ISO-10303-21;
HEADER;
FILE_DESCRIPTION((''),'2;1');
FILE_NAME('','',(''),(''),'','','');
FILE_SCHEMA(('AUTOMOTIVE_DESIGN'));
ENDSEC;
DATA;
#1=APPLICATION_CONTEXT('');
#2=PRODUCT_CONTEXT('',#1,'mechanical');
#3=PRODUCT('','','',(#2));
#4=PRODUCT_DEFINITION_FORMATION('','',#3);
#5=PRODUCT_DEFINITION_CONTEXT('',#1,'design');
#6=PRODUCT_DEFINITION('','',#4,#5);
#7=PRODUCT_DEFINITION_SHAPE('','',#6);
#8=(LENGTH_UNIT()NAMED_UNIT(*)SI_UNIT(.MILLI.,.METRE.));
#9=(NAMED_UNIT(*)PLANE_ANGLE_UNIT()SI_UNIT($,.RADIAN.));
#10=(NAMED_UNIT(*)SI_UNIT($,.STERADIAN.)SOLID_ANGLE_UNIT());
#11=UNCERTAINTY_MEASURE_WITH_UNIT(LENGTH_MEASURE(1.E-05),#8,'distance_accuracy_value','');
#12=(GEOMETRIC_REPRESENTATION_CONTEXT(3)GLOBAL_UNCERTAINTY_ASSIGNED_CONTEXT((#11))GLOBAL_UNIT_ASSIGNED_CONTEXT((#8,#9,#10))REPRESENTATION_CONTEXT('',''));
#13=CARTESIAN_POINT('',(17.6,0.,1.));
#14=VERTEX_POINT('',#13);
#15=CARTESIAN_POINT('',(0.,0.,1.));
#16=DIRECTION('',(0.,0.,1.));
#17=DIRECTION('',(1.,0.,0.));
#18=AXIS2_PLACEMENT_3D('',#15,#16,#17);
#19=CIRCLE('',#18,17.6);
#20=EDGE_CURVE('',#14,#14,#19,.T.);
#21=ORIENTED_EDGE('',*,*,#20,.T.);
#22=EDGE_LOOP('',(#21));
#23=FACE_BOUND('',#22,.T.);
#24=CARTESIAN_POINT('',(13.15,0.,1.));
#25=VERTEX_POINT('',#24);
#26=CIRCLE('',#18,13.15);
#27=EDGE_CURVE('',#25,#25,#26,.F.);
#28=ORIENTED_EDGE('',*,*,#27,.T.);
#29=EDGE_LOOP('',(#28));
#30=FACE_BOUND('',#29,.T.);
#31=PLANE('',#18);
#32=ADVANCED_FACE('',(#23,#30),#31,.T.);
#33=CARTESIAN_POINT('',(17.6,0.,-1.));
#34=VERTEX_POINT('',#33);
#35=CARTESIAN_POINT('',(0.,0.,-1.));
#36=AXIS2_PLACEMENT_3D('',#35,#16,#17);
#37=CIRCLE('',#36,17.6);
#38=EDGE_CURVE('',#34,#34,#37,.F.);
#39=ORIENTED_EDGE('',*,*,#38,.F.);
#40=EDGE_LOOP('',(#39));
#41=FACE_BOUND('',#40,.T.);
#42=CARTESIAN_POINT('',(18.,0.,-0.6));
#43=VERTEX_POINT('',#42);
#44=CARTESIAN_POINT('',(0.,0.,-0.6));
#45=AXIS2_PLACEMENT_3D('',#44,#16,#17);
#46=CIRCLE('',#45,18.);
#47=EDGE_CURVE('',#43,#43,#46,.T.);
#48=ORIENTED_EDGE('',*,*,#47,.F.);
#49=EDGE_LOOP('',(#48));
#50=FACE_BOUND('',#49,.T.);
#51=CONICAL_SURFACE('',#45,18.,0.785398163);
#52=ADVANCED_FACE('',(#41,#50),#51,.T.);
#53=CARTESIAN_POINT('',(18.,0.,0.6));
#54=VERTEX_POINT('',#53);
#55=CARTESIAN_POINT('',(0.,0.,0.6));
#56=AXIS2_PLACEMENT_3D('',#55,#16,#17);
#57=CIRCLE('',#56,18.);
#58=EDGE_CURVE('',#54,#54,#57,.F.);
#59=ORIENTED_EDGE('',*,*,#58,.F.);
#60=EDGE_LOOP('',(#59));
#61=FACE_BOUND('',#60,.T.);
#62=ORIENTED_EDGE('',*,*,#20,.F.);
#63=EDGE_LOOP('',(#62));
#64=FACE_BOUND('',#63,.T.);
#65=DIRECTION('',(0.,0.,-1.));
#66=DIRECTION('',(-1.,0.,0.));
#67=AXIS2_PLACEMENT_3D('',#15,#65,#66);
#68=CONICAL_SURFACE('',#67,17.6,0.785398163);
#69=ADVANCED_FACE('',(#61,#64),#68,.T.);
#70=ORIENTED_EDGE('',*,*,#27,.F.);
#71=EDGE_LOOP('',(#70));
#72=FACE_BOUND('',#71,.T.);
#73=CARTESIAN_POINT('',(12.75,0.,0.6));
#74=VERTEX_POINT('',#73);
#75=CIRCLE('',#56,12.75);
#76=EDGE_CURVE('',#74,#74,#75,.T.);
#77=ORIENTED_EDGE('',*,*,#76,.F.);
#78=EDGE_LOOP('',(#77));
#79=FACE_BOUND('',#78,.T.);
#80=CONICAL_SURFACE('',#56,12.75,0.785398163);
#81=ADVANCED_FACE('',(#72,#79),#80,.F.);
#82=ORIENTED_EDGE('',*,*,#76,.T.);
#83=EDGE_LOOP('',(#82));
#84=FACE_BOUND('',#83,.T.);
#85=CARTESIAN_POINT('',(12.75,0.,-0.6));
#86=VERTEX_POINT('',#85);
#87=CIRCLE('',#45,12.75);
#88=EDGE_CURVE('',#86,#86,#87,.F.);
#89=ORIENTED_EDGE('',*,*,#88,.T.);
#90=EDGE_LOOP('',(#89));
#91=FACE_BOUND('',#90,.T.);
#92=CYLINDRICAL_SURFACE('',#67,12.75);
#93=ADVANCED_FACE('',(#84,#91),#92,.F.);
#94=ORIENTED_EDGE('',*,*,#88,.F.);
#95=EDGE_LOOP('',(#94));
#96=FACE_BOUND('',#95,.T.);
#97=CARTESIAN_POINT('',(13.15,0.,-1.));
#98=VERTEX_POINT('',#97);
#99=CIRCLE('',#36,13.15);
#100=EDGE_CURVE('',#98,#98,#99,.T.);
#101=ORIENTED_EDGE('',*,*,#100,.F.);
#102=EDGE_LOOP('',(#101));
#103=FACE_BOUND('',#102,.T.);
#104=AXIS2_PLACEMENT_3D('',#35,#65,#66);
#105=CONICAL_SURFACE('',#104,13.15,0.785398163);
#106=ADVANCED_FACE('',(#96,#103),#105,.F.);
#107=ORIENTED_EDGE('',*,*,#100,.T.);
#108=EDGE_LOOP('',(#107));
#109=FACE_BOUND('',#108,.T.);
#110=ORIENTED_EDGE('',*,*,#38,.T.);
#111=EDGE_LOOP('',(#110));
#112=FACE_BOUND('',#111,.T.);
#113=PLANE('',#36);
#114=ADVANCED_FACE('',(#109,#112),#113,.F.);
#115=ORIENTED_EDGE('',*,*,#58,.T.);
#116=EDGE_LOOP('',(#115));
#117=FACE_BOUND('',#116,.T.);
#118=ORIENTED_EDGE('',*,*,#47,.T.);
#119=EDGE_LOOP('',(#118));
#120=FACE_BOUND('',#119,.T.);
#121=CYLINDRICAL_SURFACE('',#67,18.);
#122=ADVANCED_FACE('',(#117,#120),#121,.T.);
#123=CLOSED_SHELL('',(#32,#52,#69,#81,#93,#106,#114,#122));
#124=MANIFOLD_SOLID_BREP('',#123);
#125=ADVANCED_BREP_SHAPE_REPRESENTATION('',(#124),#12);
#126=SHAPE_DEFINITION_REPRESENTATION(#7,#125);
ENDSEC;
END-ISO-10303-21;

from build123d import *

# Parameters (mm, degrees)
SKETCH1_R           = 18
SKETCH1_R_2         = 12.75
BOSS_EXTRUDE1_DEPTH = 1
CHAMFER1_SIZE       = 0.4


with BuildPart() as part:
    # Sketch1 → Boss-Extrude1 (new body, symmetric)
    with BuildSketch(Plane.XY):
        Circle(SKETCH1_R)
        Circle(SKETCH1_R_2, mode=Mode.SUBTRACT)
    extrude(amount=BOSS_EXTRUDE1_DEPTH, both=True)

    # Chamfer1
    chamfer1_edges = [part.edges().sort_by_distance(p)[0] for p in [
        (-18, 0, -1),
        (-18, 0, 1),
        (-12.75, 0, -1),
        (-12.75, 0, 1),
    ]]
    chamfer(chamfer1_edges, length=CHAMFER1_SIZE)


solid = part.part
